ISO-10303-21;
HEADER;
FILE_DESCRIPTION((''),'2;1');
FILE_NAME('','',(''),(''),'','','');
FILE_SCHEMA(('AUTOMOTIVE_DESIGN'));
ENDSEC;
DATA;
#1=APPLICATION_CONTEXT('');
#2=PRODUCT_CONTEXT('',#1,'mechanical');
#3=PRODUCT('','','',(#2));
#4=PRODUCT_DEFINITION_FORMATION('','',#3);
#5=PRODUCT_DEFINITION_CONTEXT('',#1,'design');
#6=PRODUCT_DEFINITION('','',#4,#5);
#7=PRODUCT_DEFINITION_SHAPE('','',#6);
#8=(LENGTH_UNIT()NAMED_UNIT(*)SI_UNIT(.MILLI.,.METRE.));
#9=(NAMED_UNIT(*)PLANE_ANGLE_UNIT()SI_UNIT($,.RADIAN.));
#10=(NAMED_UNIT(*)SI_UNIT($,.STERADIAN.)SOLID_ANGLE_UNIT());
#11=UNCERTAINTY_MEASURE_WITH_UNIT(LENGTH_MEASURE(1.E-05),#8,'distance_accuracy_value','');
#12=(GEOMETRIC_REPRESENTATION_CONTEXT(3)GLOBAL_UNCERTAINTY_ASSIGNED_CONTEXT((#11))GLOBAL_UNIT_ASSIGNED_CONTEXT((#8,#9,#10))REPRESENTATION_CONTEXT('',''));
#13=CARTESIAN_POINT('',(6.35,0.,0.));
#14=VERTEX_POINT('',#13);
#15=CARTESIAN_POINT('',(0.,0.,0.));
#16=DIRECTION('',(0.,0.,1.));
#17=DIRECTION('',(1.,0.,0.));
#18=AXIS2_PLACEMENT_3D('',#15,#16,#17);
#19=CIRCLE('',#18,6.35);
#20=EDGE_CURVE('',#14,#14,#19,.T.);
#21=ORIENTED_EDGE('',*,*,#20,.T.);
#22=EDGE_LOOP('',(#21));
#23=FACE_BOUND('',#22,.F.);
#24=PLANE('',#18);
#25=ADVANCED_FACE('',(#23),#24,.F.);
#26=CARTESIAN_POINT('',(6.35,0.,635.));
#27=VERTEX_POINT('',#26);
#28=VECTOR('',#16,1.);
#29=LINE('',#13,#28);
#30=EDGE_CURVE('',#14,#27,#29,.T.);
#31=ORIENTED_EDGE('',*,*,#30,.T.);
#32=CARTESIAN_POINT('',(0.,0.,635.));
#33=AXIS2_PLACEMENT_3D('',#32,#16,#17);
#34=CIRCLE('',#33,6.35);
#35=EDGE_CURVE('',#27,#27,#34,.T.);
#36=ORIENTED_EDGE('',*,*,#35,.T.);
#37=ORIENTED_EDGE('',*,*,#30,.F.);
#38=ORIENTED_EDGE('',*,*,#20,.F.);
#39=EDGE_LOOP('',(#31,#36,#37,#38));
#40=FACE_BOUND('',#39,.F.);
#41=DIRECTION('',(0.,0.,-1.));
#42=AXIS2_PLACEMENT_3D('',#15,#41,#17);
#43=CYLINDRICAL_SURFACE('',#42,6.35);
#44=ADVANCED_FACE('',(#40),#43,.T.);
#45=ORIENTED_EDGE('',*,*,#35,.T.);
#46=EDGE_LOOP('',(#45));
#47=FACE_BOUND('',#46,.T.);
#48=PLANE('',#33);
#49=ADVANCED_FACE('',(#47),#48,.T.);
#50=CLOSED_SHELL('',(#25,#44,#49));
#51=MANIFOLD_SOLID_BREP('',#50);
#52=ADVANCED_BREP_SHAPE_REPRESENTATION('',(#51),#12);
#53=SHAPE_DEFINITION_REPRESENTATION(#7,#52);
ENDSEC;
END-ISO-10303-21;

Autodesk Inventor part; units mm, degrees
ref_plane "YZ Plane" through (0, 0, 0) normal (1, 0, 0) x (0, 1, 0)
ref_plane "XZ Plane" through (0, 0, 0) normal (0, 1, 0) x (-1, 0, 0)
ref_plane "XY Plane" through (0, 0, 0) normal (0, 0, 1) x (1, 0, 0)
sketch "Sketch1" plane through (0, 0, 0) normal (0, 0, 1) x (1, 0, 0)
  circle A0 centre (0, 0) radius 6.35
  dimension "d0" = 12.7
  dimension "d0" = 12.7
extrude "Extrusion1" add sketch "Sketch1" along normal blind 635
properties part number "apendage polycord shaft"
